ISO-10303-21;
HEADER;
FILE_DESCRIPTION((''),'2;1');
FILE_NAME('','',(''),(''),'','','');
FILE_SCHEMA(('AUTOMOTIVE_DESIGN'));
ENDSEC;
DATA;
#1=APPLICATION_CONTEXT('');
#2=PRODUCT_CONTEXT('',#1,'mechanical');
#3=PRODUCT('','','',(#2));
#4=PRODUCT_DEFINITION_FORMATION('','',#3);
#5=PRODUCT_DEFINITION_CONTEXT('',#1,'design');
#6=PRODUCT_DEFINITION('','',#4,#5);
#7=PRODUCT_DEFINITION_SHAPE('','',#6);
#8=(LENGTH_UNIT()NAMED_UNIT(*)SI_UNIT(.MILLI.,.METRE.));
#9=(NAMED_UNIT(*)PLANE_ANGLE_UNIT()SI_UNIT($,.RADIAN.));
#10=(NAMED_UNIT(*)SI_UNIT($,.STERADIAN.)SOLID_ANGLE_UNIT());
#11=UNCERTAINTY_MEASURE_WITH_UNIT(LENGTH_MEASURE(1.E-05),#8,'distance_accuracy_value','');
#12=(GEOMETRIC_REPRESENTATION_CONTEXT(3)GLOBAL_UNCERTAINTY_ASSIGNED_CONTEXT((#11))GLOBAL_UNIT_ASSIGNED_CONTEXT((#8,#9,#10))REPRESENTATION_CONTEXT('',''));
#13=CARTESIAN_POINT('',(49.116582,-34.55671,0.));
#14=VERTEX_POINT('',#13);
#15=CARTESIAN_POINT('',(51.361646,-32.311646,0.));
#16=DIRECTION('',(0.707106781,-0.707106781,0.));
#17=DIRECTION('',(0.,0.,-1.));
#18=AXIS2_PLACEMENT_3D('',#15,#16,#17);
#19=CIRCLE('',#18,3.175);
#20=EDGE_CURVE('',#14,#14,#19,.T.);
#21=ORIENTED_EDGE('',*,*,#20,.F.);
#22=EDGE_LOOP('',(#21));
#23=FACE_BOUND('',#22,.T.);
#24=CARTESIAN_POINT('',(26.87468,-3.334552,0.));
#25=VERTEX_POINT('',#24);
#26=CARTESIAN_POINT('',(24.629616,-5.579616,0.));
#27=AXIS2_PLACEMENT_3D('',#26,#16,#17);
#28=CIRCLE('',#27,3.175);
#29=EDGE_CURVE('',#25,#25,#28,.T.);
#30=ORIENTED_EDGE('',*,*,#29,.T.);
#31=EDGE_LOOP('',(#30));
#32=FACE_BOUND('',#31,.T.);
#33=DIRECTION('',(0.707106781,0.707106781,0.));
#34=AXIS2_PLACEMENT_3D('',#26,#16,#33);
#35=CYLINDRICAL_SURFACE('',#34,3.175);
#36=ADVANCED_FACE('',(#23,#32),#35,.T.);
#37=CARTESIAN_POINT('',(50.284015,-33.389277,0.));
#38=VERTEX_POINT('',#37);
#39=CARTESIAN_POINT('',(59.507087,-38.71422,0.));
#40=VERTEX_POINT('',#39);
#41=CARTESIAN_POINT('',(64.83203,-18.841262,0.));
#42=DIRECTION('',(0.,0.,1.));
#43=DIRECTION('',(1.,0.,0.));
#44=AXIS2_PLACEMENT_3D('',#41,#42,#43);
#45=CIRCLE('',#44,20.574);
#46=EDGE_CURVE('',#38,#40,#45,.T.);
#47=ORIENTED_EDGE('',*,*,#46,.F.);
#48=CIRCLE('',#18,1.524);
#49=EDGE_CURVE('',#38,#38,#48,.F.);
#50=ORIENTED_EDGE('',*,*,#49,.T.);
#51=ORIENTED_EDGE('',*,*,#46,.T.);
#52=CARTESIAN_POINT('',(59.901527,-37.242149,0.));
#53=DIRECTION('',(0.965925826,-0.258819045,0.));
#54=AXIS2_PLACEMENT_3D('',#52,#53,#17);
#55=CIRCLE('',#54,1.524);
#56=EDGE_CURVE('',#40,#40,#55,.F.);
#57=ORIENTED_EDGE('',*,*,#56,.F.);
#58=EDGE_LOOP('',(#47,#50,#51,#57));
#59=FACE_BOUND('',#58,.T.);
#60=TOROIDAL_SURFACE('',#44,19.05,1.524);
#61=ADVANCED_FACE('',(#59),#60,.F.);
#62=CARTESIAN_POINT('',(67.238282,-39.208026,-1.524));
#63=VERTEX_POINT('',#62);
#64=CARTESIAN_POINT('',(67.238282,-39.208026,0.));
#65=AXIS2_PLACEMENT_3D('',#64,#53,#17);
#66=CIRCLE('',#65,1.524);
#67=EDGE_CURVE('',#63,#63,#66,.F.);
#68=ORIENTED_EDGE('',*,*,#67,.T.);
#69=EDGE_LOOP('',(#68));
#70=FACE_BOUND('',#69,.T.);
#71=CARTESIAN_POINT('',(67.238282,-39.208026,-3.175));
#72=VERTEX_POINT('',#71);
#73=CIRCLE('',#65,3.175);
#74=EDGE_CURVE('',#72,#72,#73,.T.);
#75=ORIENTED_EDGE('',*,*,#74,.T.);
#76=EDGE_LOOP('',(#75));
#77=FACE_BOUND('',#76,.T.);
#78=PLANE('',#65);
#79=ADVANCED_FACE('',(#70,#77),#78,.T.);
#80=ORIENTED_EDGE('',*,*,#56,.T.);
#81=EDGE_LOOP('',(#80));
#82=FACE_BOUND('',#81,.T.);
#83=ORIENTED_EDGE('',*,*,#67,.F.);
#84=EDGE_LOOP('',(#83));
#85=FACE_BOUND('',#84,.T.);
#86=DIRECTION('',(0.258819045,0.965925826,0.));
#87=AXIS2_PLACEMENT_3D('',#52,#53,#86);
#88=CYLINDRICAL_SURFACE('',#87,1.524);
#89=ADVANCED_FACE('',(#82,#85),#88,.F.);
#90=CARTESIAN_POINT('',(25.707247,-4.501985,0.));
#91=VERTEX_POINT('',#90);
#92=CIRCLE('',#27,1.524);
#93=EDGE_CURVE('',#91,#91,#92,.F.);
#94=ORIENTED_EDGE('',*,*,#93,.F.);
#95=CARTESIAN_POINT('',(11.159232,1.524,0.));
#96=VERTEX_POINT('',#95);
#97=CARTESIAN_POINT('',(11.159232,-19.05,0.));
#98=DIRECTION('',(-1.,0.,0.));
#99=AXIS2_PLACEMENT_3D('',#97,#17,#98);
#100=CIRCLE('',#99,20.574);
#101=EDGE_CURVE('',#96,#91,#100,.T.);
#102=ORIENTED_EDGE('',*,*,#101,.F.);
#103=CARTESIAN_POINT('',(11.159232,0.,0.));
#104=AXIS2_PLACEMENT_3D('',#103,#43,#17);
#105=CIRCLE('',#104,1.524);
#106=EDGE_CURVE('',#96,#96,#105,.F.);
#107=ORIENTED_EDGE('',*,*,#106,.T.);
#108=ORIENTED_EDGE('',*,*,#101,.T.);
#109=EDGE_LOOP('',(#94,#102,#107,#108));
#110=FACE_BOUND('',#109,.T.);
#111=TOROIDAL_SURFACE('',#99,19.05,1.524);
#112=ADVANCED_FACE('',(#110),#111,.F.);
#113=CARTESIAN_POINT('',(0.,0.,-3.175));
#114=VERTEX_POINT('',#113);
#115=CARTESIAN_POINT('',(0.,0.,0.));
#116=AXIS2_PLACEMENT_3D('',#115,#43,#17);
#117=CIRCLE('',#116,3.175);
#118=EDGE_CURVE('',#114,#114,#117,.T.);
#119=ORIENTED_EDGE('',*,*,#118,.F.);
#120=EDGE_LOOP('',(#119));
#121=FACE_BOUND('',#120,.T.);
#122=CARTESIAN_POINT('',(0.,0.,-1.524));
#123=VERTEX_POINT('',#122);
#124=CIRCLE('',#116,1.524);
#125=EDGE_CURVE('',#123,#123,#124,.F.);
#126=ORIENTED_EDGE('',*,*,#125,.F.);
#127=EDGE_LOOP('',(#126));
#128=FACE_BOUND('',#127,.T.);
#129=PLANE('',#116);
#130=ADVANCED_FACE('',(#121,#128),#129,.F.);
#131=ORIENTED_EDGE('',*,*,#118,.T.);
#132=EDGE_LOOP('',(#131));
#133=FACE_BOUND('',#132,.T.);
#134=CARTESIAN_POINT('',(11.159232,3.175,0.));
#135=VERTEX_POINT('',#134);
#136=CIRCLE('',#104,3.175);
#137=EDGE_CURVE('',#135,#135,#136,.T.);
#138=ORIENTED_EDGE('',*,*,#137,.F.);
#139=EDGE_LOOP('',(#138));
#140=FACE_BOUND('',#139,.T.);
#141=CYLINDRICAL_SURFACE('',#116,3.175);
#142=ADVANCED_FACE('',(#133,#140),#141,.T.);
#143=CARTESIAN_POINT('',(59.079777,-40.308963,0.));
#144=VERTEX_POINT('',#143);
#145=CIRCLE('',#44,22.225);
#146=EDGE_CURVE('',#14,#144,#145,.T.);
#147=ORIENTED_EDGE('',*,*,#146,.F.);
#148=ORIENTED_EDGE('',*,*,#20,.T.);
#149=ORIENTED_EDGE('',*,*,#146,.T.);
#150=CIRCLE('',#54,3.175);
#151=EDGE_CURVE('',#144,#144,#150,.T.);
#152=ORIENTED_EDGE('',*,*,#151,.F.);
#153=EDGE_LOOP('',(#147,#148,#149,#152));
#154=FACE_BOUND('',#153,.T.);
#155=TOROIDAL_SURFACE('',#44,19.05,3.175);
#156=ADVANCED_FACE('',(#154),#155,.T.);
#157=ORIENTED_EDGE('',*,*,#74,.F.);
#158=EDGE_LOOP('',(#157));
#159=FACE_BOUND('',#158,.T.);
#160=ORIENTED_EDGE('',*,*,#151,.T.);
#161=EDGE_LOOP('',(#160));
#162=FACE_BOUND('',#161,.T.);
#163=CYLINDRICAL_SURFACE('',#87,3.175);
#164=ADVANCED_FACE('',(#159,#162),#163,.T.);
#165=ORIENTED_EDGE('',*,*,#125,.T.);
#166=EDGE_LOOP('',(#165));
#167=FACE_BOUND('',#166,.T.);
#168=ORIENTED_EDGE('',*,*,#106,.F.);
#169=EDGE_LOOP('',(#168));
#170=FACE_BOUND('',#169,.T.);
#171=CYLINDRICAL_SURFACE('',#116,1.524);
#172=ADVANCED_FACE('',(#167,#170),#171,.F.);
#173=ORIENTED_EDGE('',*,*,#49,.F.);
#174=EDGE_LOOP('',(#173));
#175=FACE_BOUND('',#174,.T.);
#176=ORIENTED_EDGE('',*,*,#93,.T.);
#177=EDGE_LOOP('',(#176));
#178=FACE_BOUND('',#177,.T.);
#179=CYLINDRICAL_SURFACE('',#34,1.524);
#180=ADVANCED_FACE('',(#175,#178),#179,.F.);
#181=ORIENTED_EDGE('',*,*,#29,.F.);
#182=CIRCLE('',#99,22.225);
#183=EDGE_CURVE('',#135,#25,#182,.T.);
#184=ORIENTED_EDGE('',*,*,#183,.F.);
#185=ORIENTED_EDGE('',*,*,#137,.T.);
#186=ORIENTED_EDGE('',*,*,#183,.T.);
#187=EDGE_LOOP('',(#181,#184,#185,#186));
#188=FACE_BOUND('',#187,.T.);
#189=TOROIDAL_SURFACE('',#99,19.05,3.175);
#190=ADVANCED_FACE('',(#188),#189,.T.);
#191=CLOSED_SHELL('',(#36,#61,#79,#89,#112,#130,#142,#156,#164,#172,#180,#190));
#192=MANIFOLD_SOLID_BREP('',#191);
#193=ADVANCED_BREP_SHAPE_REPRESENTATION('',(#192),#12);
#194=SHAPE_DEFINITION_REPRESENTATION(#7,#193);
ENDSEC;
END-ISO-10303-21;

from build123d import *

# Parameters (mm, degrees)
SKETCH2_R   = 3.175
SKETCH2_R_2 = 1.524


with BuildPart() as part:
    # Sweep1: sweep along a path in Sketch1
    with BuildLine(Plane.XY) as sweep1_path:
        Line((0, 0), (11.159231637, 0))
        ThreePointArc((11.159231637, 0), (18.449351023, -1.450094906), (24.629615818, -5.579615818))
        Line((24.629615818, -5.579615818), (51.361645921, -32.311645921))
        ThreePointArc((51.361645921, -32.311645921), (55.307030103, -35.339045682), (59.901527293, -37.24214873))
        Line((59.901527293, -37.24214873), (67.238282478, -39.208026357))
    # Sketch2 → Sweep1 (sweep)
    with BuildSketch(Plane(origin=(0, 0, 0), x_dir=(0, 0, -1), z_dir=(1, 0, 0))):
        Circle(SKETCH2_R)
        Circle(SKETCH2_R_2, mode=Mode.SUBTRACT)
    sweep(path=sweep1_path.line)


solid = part.part
